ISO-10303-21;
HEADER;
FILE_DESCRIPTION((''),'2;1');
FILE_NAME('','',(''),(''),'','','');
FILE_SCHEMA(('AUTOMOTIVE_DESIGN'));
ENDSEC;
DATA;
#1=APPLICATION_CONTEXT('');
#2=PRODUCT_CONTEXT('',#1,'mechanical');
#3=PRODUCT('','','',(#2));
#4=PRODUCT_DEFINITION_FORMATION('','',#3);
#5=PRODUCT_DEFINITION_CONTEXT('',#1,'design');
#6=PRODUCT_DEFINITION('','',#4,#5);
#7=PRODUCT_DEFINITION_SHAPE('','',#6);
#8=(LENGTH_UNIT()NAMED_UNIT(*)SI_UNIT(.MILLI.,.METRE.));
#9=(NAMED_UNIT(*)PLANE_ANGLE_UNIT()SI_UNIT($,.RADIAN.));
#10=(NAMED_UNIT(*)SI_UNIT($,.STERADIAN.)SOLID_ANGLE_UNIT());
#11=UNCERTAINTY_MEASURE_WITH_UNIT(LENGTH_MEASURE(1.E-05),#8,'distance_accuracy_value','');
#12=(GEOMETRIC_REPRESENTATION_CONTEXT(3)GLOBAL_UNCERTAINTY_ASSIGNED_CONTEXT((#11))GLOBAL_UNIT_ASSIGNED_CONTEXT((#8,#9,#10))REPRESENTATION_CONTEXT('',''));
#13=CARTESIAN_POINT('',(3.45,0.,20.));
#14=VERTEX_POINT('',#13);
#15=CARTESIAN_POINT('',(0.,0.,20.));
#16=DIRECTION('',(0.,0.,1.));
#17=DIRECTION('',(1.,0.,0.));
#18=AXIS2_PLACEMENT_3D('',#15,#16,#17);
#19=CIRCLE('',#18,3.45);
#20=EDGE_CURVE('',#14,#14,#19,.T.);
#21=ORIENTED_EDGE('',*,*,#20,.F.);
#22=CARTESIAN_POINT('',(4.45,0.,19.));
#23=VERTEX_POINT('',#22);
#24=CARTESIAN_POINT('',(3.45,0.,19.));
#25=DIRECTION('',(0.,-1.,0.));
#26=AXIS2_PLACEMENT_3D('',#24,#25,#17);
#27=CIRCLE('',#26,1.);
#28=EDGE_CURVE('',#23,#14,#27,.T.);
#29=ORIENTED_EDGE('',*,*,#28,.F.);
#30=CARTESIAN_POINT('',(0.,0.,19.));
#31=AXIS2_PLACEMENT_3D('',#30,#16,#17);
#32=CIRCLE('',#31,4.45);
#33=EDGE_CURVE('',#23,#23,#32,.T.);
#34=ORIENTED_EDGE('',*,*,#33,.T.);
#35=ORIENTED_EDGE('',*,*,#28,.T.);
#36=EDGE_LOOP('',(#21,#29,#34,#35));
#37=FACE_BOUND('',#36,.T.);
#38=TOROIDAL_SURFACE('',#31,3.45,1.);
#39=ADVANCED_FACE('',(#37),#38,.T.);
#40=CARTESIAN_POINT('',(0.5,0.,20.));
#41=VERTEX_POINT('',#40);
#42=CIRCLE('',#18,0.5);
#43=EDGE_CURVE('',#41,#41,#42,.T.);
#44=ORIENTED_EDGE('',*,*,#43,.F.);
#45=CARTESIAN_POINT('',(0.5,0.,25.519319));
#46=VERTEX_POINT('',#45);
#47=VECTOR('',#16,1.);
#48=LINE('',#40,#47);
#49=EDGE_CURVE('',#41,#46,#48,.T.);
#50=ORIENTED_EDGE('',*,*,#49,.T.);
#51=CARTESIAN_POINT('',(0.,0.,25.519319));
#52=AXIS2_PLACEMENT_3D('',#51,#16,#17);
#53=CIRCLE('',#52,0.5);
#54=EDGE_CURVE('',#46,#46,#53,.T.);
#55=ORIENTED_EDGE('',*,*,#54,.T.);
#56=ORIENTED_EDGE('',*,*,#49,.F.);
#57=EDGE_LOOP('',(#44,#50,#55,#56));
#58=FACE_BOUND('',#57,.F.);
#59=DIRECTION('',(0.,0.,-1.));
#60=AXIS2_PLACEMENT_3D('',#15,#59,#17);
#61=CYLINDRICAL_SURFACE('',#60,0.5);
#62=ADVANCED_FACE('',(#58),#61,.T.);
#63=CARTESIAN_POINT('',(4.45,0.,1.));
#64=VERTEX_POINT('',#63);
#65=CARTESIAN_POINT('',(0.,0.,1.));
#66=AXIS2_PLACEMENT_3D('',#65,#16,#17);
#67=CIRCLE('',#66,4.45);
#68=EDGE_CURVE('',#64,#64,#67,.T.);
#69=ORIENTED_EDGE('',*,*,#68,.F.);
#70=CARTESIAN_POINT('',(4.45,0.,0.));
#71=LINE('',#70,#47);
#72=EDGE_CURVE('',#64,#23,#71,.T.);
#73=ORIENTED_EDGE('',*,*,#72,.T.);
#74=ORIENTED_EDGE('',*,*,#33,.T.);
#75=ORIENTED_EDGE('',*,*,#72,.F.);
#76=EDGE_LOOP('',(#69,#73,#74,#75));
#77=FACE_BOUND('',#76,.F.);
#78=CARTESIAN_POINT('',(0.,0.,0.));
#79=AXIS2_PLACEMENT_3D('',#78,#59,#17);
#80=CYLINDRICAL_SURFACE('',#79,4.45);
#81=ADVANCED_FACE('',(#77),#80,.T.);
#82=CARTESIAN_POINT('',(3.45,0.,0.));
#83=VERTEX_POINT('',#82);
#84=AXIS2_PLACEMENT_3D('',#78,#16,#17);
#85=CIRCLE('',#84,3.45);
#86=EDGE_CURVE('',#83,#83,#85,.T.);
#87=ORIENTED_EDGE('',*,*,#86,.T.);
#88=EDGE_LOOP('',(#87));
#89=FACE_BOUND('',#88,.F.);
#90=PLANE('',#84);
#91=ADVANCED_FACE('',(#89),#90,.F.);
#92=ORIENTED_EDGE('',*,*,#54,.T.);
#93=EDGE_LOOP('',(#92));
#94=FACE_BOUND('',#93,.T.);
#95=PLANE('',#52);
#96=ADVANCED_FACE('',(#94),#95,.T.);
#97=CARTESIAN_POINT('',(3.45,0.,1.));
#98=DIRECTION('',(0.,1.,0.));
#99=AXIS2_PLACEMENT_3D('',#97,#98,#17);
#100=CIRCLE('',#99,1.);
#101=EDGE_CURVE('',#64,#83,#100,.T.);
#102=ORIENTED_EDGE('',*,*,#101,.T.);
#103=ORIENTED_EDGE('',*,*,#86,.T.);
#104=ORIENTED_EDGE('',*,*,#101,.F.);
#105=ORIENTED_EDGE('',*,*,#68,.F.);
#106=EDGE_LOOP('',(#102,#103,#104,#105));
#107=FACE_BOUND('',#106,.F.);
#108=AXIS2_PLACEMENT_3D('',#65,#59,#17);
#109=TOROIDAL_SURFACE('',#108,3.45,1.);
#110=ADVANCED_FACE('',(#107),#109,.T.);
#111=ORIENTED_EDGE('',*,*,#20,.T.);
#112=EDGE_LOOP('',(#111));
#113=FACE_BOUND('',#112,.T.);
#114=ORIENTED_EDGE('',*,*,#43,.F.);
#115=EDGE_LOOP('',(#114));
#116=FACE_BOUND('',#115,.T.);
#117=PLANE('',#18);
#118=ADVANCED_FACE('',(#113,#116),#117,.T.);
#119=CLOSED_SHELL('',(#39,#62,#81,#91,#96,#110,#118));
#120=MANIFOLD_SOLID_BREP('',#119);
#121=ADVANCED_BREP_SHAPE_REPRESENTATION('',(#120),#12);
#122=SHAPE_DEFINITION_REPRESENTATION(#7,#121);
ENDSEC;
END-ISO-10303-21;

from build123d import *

# Parameters (mm, degrees)
F0_R     = 4.45
F1_DEPTH = 20
F2_R     = 1
F3_R     = 0.5
F4_DEPTH = 5.519319


with BuildPart() as f1:
    # F0 (on Top) → F1 (new body)
    with BuildSketch(Plane.XY):
        Circle(F0_R)
    extrude(amount=F1_DEPTH)

    # F2
    f2_edges = [f1.edges().sort_by_distance(p)[0] for p in [
        (-4.45, 0, 20),
        (-4.45, 0, 0),
    ]]
    fillet(f2_edges, radius=F2_R)

    # F3 (on face) → F4 (join)
    with BuildSketch(Plane.XY.offset(20)):
        Circle(F3_R)
    extrude(amount=F4_DEPTH)


solid = f1.part
